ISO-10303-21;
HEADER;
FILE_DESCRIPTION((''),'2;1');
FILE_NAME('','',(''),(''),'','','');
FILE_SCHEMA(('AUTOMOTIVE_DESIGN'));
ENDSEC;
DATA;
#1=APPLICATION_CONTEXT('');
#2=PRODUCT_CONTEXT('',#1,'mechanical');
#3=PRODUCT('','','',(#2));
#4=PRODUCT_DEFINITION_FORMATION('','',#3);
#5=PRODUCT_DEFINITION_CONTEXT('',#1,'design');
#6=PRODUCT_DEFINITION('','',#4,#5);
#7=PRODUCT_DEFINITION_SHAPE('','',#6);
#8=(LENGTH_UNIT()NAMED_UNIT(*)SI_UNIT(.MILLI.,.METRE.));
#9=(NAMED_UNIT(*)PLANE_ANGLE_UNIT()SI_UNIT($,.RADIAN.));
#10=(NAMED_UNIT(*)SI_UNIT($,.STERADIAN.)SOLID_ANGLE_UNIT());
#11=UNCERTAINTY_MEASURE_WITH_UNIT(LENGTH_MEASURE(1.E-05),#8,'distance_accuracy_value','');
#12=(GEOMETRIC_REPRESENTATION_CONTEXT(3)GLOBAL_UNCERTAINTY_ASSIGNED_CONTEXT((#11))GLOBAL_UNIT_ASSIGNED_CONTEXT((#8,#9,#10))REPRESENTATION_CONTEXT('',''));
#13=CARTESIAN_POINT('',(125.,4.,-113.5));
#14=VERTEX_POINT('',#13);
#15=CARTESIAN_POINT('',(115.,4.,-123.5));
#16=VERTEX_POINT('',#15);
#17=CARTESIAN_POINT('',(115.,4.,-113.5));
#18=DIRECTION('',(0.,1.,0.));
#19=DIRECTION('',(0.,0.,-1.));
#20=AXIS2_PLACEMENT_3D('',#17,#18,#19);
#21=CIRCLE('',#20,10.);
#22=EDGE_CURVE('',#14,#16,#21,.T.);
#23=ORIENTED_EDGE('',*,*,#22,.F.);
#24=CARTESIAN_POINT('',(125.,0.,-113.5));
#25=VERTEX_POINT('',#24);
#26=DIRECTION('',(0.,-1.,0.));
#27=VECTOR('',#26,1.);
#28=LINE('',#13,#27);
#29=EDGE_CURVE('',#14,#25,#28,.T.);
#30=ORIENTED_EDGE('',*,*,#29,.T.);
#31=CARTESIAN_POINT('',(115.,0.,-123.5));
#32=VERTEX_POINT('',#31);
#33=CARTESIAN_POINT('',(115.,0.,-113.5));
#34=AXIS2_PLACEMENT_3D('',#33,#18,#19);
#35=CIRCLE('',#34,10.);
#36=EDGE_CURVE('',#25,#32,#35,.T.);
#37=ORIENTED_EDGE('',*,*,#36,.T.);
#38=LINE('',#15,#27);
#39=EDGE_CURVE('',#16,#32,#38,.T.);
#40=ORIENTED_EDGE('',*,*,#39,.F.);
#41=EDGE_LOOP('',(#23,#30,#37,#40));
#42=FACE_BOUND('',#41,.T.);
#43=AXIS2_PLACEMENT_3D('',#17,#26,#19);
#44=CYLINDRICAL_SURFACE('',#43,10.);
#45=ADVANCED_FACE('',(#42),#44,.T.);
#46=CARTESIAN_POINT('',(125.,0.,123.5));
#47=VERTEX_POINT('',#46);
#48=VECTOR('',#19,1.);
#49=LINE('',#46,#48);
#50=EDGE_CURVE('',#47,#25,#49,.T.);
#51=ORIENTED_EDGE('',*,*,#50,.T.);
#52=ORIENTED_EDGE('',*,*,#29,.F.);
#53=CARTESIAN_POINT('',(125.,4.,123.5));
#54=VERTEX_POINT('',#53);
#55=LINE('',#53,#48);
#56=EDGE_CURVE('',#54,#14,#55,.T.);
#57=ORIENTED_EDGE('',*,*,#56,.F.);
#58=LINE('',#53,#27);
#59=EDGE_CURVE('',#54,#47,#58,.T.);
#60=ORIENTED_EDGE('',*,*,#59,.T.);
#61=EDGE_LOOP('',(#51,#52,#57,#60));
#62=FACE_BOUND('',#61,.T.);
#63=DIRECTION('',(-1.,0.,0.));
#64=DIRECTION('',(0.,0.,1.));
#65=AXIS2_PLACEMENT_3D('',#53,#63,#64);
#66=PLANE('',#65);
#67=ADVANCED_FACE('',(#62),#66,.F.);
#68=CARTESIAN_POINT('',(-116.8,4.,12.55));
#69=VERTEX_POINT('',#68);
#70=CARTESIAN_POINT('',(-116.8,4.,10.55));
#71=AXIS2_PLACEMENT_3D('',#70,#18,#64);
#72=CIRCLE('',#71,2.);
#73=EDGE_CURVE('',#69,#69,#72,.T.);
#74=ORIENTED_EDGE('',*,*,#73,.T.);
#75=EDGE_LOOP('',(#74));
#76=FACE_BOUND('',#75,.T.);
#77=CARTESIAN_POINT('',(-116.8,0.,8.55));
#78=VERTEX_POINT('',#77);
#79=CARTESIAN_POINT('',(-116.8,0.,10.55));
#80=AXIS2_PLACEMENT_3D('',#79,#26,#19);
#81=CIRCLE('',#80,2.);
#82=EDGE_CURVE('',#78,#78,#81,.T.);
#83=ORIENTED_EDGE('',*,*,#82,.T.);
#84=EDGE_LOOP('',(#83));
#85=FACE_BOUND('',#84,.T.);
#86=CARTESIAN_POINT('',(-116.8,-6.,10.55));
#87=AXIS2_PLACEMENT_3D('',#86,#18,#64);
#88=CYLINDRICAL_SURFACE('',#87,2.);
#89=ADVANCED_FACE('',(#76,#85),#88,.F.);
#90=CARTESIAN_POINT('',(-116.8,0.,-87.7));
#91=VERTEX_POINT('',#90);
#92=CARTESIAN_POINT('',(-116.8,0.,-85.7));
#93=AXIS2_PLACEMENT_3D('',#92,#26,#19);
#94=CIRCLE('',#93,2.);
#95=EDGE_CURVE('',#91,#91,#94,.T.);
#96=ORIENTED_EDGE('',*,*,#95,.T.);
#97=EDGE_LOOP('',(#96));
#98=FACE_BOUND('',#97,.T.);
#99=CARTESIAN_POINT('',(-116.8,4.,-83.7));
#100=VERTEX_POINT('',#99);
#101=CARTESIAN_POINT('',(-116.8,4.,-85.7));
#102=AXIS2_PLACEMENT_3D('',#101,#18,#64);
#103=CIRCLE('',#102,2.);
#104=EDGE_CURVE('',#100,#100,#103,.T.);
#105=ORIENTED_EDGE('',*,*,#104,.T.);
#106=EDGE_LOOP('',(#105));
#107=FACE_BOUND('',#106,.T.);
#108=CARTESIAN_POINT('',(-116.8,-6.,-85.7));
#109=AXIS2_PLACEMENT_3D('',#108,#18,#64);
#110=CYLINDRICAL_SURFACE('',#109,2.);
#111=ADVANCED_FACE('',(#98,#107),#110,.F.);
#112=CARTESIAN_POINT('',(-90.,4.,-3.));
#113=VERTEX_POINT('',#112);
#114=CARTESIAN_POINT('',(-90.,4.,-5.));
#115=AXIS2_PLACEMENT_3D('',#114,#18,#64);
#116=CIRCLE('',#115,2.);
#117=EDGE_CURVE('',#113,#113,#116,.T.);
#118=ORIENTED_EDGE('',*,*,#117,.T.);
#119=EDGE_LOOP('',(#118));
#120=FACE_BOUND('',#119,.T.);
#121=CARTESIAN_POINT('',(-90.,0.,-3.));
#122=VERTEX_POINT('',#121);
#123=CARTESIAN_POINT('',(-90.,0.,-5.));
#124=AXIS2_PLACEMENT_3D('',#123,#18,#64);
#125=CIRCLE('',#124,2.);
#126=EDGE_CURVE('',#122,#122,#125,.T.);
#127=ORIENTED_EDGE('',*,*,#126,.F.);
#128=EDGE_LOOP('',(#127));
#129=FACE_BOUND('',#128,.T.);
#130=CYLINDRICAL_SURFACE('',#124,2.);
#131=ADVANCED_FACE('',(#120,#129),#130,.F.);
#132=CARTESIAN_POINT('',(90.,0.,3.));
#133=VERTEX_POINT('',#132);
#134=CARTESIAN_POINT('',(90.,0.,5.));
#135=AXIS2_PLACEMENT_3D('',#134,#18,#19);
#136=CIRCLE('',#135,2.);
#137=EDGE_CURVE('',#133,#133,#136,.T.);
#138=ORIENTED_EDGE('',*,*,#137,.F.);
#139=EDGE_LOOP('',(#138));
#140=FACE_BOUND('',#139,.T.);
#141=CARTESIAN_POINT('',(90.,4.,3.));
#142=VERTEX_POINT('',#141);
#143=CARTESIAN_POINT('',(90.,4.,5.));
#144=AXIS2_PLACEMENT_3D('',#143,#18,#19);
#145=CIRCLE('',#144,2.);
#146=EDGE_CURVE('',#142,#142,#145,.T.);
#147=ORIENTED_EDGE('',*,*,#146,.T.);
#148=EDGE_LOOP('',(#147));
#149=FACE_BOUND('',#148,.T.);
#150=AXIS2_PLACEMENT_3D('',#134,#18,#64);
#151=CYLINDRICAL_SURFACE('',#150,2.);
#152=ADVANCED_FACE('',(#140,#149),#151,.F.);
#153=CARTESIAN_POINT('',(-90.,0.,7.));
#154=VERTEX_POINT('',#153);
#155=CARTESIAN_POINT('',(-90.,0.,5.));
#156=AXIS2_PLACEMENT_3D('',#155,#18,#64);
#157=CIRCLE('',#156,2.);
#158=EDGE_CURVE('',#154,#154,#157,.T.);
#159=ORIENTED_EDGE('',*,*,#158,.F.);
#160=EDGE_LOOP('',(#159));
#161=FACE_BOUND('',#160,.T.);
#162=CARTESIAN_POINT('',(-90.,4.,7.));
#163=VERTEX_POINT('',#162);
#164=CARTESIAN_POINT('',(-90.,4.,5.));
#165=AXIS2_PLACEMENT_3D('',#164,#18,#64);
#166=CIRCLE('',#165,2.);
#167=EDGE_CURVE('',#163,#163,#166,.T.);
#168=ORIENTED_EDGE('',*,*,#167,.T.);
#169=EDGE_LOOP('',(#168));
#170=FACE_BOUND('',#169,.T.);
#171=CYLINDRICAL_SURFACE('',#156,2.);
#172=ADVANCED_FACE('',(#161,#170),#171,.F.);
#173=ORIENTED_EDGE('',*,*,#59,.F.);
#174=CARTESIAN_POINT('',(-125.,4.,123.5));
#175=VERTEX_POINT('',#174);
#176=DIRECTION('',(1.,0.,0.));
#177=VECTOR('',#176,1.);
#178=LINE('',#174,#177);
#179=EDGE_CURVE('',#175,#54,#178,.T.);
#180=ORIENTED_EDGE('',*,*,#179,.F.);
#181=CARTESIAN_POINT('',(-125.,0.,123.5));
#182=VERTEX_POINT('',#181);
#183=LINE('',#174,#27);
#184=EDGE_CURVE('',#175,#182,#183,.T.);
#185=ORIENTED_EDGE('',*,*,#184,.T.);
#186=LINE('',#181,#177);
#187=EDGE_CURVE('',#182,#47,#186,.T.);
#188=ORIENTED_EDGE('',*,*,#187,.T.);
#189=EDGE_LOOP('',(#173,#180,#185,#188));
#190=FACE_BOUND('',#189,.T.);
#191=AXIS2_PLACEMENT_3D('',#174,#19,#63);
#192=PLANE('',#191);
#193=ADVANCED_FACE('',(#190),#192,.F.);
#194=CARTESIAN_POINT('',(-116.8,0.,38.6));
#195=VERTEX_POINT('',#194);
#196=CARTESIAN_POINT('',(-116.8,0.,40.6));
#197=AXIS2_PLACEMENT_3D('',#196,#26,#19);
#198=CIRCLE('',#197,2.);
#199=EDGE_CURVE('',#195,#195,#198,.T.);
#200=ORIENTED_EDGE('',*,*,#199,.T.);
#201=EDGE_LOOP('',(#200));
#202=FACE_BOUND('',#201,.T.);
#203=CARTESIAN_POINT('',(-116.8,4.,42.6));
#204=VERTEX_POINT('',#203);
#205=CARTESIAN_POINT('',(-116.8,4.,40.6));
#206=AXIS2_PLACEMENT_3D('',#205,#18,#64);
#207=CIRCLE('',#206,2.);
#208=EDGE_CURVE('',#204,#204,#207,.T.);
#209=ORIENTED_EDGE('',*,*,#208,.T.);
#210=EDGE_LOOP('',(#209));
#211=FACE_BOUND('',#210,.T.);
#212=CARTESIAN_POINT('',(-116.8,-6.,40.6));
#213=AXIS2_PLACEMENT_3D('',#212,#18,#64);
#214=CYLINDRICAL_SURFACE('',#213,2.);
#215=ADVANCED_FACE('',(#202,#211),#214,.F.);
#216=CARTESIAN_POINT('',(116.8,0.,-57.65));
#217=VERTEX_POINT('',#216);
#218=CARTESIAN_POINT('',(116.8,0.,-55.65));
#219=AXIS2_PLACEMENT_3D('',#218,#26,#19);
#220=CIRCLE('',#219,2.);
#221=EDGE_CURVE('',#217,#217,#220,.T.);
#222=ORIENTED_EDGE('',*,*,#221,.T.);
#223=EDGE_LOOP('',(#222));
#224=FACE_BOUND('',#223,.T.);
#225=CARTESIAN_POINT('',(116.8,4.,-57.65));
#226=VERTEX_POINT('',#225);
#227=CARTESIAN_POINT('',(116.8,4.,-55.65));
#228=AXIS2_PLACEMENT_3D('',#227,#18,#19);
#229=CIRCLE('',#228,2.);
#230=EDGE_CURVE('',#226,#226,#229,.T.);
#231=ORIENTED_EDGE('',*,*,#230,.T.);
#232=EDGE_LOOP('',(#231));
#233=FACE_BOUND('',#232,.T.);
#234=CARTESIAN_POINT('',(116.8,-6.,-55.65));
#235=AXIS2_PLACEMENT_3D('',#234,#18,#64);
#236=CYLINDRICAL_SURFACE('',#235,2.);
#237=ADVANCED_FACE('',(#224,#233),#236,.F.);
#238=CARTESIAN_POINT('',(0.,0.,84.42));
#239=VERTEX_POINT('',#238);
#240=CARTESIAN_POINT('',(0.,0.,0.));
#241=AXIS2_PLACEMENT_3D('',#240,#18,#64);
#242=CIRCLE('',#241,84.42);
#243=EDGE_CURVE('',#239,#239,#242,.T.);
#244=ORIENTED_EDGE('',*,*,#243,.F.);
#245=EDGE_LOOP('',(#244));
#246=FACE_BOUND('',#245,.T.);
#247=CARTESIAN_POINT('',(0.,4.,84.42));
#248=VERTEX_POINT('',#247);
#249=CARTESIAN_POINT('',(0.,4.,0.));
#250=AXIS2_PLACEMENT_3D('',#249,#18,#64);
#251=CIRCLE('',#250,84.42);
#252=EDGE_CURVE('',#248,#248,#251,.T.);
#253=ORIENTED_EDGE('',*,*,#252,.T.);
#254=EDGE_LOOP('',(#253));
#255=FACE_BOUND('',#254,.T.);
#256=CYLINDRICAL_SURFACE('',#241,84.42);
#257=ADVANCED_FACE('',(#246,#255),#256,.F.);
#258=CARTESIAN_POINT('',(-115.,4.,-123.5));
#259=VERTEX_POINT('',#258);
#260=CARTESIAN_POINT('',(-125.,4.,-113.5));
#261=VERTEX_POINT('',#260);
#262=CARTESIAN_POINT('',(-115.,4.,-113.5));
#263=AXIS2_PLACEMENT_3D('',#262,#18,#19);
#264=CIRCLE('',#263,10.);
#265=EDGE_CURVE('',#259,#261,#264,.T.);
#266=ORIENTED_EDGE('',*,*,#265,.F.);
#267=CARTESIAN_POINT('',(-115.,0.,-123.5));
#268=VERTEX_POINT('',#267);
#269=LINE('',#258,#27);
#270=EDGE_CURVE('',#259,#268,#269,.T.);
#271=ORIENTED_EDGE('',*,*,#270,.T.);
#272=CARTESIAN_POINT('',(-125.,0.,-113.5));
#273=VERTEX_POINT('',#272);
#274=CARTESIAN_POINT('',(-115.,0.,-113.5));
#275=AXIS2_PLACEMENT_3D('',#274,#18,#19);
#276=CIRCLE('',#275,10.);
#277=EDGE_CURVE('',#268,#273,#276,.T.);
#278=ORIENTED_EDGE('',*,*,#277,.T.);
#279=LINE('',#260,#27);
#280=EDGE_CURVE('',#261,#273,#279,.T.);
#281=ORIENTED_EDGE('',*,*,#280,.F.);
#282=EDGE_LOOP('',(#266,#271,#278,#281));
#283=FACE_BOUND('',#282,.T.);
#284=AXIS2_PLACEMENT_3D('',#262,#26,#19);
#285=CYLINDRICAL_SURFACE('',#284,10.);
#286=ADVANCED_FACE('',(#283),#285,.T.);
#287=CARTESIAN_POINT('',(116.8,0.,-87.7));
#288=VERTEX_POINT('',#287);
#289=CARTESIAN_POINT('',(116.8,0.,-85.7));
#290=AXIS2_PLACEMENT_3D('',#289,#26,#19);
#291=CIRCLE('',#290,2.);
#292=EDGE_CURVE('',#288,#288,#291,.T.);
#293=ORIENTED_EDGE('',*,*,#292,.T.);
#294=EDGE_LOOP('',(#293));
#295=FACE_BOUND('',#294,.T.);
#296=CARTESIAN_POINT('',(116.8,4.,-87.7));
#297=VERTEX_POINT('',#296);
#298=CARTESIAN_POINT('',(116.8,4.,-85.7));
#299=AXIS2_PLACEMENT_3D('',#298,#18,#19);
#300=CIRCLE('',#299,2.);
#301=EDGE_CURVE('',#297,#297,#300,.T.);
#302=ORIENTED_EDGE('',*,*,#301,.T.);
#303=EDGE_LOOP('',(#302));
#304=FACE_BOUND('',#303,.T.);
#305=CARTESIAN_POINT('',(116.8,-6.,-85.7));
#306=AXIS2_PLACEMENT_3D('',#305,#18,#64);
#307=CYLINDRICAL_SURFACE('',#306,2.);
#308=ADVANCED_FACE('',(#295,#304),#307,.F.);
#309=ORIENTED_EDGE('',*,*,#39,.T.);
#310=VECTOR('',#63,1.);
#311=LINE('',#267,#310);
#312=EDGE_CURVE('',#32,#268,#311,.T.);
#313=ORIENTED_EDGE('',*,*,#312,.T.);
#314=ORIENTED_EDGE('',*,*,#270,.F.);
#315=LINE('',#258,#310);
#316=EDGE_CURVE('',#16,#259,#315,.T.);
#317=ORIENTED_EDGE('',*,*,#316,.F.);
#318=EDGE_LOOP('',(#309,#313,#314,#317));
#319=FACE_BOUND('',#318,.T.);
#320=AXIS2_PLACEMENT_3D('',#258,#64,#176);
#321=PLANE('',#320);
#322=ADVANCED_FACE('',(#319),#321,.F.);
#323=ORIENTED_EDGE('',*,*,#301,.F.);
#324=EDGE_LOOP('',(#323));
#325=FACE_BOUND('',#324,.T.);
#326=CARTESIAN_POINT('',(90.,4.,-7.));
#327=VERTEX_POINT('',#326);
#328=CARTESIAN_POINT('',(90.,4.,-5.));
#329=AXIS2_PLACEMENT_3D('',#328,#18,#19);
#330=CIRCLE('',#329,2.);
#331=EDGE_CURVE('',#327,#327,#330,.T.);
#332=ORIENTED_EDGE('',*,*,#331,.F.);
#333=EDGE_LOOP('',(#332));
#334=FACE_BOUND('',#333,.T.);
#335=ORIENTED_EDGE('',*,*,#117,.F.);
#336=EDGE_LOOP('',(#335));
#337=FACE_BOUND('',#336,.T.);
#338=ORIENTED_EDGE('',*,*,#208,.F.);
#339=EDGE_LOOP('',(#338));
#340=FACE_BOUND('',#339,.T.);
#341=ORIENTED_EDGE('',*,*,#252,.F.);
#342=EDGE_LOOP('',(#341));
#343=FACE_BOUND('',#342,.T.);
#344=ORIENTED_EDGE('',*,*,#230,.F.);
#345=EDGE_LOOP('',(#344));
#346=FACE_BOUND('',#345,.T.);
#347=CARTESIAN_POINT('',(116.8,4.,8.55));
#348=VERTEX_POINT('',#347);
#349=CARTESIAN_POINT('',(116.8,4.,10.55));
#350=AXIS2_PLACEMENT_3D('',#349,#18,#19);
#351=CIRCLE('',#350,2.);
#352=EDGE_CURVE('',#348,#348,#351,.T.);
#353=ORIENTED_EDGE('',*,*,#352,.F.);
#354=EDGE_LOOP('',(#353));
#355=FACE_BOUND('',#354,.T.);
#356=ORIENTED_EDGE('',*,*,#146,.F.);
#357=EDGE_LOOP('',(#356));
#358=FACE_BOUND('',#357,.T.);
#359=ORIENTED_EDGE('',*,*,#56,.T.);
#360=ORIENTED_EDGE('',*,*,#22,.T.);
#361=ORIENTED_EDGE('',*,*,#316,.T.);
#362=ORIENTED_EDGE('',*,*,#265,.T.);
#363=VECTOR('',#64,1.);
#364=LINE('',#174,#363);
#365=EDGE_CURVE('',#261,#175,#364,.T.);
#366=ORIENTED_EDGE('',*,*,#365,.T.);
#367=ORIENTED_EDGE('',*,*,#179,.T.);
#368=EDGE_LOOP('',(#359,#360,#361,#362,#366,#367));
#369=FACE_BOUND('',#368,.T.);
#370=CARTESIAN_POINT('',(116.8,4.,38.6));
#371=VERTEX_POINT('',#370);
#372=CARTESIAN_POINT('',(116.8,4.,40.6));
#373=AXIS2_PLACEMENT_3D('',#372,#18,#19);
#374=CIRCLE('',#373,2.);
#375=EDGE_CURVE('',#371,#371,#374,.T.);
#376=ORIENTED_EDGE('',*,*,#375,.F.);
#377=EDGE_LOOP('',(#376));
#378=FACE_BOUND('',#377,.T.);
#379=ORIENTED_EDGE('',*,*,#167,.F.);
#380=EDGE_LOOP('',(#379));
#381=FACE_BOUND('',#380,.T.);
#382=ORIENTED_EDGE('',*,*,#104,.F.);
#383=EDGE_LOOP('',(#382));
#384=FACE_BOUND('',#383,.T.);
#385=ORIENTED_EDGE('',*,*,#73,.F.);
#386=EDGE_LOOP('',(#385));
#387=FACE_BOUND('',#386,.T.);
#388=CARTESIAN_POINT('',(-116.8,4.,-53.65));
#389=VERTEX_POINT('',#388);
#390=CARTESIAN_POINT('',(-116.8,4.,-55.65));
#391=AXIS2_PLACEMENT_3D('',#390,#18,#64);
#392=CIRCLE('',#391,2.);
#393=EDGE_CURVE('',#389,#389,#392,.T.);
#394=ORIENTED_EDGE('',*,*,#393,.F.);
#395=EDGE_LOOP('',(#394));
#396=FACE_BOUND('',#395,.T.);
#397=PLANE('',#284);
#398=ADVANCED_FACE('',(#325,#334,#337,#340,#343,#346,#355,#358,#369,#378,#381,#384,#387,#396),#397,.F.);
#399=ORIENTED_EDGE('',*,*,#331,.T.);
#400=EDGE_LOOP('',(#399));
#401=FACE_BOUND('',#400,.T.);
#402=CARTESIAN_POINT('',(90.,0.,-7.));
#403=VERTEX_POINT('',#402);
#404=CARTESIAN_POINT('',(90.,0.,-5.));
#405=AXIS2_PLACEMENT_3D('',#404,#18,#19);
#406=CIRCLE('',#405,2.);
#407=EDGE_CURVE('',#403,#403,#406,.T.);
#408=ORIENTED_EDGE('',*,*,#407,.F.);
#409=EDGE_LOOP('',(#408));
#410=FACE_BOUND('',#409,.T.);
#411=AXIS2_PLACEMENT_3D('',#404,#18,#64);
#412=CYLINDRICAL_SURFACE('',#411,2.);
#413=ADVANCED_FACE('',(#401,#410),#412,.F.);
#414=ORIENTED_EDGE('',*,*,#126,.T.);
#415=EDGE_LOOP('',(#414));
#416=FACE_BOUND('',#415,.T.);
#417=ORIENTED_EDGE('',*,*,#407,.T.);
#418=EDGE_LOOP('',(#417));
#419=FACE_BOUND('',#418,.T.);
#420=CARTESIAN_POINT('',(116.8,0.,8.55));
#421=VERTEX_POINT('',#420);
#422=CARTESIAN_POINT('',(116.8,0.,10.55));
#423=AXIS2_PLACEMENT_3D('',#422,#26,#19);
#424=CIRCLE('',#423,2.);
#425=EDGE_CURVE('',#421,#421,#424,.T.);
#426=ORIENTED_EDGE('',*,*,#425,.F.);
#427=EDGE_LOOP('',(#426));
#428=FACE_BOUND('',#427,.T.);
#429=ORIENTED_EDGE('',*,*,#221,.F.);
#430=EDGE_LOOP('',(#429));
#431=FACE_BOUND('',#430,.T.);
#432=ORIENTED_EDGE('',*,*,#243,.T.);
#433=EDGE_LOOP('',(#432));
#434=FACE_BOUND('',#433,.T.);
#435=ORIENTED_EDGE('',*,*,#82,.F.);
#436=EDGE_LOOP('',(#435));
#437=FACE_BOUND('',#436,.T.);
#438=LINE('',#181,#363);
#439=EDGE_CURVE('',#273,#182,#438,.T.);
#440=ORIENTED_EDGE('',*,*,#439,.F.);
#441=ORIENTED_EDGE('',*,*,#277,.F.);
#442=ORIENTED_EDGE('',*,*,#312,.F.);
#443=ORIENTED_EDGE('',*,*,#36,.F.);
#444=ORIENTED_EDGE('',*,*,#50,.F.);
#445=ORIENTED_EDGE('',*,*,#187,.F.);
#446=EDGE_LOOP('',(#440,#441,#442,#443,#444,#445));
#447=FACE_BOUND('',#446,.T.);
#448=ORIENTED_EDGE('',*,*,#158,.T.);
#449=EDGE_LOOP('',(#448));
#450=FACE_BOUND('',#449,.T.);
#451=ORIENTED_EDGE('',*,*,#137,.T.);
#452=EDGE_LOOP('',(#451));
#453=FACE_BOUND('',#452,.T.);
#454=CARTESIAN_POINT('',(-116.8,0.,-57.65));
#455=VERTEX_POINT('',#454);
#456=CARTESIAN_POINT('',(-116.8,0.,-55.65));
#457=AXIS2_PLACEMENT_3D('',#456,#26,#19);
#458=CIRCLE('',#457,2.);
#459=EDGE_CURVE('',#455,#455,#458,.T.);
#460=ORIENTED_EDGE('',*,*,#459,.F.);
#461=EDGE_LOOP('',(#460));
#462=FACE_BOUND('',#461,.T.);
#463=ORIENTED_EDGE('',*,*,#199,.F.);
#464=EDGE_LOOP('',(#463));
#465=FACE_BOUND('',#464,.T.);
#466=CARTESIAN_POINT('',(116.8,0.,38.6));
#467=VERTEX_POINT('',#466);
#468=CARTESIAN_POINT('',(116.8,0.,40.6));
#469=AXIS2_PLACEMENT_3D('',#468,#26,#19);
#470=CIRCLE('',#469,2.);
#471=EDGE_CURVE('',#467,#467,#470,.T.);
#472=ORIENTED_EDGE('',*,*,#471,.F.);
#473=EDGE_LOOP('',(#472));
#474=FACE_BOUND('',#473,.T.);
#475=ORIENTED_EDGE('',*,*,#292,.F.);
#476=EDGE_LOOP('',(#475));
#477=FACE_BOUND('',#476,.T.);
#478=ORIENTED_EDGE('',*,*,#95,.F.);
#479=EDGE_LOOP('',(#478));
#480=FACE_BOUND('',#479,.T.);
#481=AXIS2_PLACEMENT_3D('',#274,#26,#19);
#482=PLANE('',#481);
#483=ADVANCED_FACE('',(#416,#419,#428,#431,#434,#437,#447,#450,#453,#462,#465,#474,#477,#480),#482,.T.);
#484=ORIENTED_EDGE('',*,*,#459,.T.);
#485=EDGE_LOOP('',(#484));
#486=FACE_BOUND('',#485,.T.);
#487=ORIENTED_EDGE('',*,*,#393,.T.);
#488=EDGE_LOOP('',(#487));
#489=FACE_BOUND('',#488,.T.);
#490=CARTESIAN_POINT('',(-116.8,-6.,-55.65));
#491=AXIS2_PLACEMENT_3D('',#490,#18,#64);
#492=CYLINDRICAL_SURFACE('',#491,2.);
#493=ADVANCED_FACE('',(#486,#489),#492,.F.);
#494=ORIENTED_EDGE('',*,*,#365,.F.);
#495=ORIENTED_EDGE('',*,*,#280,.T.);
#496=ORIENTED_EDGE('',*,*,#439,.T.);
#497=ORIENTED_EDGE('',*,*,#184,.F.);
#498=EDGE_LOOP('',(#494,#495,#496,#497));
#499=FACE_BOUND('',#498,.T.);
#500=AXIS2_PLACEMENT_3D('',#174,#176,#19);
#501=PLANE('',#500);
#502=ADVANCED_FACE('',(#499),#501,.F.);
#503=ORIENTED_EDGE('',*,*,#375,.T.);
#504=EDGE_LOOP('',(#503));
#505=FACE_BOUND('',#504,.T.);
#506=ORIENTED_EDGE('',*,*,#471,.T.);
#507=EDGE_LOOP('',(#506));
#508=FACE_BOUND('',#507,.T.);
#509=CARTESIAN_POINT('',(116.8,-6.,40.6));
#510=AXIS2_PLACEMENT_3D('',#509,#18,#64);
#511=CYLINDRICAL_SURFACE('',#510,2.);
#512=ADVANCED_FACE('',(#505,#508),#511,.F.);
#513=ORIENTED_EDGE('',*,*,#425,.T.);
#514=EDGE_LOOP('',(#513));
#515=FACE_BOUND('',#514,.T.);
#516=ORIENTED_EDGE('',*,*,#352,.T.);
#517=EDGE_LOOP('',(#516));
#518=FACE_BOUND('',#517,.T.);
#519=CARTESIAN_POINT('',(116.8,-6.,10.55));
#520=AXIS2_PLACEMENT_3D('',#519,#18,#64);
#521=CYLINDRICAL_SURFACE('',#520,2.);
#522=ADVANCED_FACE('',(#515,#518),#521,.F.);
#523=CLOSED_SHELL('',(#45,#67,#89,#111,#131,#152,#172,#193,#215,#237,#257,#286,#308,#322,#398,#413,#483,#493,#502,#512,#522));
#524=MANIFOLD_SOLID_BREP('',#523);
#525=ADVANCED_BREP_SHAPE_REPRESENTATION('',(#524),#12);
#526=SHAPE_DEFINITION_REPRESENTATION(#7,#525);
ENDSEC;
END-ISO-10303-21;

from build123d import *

# Parameters (mm, degrees)
SALIENTE_EXTRUIR1_DEPTH = 4
CROQUIS2_R              = 84.42
CROQUIS2_R_2            = 2
CORTAR_EXTRUIR1_DEPTH   = 4
CROQUIS3_R              = 2
CORTAR_EXTRUIR2_DEPTH   = 10


with BuildPart() as part:
    # Croquis1 → Saliente-Extruir1 (new body)
    with BuildSketch(Plane(origin=(0, 0, 0), x_dir=(1, 0, 0), z_dir=(0, 1, 0))):
        with BuildLine():
            Line((-125, -123.5), (125, -123.5))
            Line((125, -123.5), (125, 113.5))
            ThreePointArc((125, 113.5), (122.071067812, 120.571067812), (115, 123.5))
            Line((115, 123.5), (-115, 123.5))
            ThreePointArc((-115, 123.5), (-122.071067812, 120.571067812), (-125, 113.5))
            Line((-125, 113.5), (-125, -123.5))
        make_face()
    extrude(amount=SALIENTE_EXTRUIR1_DEPTH)

    # Croquis2 → Cortar-Extruir1 (cut)
    with BuildSketch(Plane(origin=(0, 4, 0), x_dir=(1, 0, 0), z_dir=(0, 1, 0))):
        with Locations(Location((0, 0, 0), (0, 0, 270))):
            Circle(CROQUIS2_R)
        with Locations(Location((-90, 5, 0), (0, 0, 270))):
            Circle(CROQUIS2_R_2)
        with Locations(Location((-90, -5, 0), (0, 0, 270))):
            Circle(CROQUIS2_R_2)
        with Locations(Location((90, -5, 0), (0, 0, 90))):
            Circle(CROQUIS2_R_2)
        with Locations(Location((90, 5, 0), (0, 0, 90))):
            Circle(CROQUIS2_R_2)
    extrude(amount=-CORTAR_EXTRUIR1_DEPTH, mode=Mode.SUBTRACT)

    # Croquis3 → Cortar-Extruir2 (cut)
    with BuildSketch(Plane(origin=(0, 4, 0), x_dir=(1, 0, 0), z_dir=(0, 1, 0))):
        with Locations(Location((-116.8, 85.7, 0), (0, 0, 270))):
            Circle(CROQUIS3_R)
        with Locations(Location((-116.8, 55.65, 0), (0, 0, 270))):
            Circle(CROQUIS3_R)
        with Locations(Location((-116.8, -10.55, 0), (0, 0, 270))):
            Circle(CROQUIS3_R)
        with Locations(Location((-116.8, -40.6, 0), (0, 0, 270))):
            Circle(CROQUIS3_R)
        with Locations(Location((116.8, -40.6, 0), (0, 0, 90))):
            Circle(CROQUIS3_R)
        with Locations(Location((116.8, -10.55, 0), (0, 0, 90))):
            Circle(CROQUIS3_R)
        with Locations(Location((116.8, 55.65, 0), (0, 0, 90))):
            Circle(CROQUIS3_R)
        with Locations(Location((116.8, 85.7, 0), (0, 0, 90))):
            Circle(CROQUIS3_R)
    extrude(amount=-CORTAR_EXTRUIR2_DEPTH, mode=Mode.SUBTRACT)


solid = part.part
